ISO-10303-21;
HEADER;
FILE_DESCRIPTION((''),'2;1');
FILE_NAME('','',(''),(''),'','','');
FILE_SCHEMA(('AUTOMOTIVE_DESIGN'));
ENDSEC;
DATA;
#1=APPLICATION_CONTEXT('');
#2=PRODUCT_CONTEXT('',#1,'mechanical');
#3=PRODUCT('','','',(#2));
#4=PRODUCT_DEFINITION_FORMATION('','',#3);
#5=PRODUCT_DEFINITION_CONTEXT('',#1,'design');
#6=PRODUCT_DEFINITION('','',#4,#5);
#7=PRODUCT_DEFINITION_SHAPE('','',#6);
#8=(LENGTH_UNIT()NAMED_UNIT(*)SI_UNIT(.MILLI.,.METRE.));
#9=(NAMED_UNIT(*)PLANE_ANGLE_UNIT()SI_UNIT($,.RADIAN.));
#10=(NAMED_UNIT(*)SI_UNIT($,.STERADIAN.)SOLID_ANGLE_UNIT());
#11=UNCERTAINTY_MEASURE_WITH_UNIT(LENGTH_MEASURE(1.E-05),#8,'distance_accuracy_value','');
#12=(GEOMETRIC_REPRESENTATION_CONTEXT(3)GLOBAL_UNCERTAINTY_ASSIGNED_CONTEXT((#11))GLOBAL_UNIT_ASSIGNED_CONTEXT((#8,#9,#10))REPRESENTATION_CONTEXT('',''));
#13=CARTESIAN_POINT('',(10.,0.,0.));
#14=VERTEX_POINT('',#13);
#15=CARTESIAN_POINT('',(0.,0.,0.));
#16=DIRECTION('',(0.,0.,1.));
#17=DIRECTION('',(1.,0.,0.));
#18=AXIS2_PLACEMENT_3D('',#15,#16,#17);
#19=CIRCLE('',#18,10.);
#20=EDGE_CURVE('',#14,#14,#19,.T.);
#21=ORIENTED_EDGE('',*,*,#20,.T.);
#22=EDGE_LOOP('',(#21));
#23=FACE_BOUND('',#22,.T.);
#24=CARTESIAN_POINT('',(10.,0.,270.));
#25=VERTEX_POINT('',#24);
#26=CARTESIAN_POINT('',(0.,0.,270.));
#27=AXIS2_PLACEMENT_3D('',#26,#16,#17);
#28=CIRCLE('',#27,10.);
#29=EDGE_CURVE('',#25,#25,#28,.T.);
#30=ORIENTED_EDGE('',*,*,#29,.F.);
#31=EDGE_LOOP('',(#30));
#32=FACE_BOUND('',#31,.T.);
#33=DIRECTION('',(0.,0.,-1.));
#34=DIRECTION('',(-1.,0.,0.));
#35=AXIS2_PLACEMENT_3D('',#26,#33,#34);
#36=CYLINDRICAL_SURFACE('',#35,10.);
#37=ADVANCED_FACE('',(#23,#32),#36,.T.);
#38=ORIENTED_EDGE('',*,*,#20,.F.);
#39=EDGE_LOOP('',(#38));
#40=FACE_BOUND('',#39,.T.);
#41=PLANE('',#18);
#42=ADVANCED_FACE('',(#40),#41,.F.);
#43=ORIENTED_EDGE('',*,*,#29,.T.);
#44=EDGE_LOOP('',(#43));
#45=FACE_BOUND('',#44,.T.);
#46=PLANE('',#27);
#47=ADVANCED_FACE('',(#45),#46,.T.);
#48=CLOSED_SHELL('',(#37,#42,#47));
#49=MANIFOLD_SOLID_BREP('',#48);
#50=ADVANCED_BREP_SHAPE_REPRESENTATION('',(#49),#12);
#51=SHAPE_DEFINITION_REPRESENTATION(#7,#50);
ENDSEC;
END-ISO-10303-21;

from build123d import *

# Parameters (mm, degrees)
ESQUISSE1_R        = 10
BOSS_EXTRU_1_DEPTH = 270


with BuildPart() as part:
    # Esquisse1 → Boss.-Extru.1 (new body)
    with BuildSketch(Plane.XY):
        Circle(ESQUISSE1_R)
    extrude(amount=BOSS_EXTRU_1_DEPTH)


solid = part.part
